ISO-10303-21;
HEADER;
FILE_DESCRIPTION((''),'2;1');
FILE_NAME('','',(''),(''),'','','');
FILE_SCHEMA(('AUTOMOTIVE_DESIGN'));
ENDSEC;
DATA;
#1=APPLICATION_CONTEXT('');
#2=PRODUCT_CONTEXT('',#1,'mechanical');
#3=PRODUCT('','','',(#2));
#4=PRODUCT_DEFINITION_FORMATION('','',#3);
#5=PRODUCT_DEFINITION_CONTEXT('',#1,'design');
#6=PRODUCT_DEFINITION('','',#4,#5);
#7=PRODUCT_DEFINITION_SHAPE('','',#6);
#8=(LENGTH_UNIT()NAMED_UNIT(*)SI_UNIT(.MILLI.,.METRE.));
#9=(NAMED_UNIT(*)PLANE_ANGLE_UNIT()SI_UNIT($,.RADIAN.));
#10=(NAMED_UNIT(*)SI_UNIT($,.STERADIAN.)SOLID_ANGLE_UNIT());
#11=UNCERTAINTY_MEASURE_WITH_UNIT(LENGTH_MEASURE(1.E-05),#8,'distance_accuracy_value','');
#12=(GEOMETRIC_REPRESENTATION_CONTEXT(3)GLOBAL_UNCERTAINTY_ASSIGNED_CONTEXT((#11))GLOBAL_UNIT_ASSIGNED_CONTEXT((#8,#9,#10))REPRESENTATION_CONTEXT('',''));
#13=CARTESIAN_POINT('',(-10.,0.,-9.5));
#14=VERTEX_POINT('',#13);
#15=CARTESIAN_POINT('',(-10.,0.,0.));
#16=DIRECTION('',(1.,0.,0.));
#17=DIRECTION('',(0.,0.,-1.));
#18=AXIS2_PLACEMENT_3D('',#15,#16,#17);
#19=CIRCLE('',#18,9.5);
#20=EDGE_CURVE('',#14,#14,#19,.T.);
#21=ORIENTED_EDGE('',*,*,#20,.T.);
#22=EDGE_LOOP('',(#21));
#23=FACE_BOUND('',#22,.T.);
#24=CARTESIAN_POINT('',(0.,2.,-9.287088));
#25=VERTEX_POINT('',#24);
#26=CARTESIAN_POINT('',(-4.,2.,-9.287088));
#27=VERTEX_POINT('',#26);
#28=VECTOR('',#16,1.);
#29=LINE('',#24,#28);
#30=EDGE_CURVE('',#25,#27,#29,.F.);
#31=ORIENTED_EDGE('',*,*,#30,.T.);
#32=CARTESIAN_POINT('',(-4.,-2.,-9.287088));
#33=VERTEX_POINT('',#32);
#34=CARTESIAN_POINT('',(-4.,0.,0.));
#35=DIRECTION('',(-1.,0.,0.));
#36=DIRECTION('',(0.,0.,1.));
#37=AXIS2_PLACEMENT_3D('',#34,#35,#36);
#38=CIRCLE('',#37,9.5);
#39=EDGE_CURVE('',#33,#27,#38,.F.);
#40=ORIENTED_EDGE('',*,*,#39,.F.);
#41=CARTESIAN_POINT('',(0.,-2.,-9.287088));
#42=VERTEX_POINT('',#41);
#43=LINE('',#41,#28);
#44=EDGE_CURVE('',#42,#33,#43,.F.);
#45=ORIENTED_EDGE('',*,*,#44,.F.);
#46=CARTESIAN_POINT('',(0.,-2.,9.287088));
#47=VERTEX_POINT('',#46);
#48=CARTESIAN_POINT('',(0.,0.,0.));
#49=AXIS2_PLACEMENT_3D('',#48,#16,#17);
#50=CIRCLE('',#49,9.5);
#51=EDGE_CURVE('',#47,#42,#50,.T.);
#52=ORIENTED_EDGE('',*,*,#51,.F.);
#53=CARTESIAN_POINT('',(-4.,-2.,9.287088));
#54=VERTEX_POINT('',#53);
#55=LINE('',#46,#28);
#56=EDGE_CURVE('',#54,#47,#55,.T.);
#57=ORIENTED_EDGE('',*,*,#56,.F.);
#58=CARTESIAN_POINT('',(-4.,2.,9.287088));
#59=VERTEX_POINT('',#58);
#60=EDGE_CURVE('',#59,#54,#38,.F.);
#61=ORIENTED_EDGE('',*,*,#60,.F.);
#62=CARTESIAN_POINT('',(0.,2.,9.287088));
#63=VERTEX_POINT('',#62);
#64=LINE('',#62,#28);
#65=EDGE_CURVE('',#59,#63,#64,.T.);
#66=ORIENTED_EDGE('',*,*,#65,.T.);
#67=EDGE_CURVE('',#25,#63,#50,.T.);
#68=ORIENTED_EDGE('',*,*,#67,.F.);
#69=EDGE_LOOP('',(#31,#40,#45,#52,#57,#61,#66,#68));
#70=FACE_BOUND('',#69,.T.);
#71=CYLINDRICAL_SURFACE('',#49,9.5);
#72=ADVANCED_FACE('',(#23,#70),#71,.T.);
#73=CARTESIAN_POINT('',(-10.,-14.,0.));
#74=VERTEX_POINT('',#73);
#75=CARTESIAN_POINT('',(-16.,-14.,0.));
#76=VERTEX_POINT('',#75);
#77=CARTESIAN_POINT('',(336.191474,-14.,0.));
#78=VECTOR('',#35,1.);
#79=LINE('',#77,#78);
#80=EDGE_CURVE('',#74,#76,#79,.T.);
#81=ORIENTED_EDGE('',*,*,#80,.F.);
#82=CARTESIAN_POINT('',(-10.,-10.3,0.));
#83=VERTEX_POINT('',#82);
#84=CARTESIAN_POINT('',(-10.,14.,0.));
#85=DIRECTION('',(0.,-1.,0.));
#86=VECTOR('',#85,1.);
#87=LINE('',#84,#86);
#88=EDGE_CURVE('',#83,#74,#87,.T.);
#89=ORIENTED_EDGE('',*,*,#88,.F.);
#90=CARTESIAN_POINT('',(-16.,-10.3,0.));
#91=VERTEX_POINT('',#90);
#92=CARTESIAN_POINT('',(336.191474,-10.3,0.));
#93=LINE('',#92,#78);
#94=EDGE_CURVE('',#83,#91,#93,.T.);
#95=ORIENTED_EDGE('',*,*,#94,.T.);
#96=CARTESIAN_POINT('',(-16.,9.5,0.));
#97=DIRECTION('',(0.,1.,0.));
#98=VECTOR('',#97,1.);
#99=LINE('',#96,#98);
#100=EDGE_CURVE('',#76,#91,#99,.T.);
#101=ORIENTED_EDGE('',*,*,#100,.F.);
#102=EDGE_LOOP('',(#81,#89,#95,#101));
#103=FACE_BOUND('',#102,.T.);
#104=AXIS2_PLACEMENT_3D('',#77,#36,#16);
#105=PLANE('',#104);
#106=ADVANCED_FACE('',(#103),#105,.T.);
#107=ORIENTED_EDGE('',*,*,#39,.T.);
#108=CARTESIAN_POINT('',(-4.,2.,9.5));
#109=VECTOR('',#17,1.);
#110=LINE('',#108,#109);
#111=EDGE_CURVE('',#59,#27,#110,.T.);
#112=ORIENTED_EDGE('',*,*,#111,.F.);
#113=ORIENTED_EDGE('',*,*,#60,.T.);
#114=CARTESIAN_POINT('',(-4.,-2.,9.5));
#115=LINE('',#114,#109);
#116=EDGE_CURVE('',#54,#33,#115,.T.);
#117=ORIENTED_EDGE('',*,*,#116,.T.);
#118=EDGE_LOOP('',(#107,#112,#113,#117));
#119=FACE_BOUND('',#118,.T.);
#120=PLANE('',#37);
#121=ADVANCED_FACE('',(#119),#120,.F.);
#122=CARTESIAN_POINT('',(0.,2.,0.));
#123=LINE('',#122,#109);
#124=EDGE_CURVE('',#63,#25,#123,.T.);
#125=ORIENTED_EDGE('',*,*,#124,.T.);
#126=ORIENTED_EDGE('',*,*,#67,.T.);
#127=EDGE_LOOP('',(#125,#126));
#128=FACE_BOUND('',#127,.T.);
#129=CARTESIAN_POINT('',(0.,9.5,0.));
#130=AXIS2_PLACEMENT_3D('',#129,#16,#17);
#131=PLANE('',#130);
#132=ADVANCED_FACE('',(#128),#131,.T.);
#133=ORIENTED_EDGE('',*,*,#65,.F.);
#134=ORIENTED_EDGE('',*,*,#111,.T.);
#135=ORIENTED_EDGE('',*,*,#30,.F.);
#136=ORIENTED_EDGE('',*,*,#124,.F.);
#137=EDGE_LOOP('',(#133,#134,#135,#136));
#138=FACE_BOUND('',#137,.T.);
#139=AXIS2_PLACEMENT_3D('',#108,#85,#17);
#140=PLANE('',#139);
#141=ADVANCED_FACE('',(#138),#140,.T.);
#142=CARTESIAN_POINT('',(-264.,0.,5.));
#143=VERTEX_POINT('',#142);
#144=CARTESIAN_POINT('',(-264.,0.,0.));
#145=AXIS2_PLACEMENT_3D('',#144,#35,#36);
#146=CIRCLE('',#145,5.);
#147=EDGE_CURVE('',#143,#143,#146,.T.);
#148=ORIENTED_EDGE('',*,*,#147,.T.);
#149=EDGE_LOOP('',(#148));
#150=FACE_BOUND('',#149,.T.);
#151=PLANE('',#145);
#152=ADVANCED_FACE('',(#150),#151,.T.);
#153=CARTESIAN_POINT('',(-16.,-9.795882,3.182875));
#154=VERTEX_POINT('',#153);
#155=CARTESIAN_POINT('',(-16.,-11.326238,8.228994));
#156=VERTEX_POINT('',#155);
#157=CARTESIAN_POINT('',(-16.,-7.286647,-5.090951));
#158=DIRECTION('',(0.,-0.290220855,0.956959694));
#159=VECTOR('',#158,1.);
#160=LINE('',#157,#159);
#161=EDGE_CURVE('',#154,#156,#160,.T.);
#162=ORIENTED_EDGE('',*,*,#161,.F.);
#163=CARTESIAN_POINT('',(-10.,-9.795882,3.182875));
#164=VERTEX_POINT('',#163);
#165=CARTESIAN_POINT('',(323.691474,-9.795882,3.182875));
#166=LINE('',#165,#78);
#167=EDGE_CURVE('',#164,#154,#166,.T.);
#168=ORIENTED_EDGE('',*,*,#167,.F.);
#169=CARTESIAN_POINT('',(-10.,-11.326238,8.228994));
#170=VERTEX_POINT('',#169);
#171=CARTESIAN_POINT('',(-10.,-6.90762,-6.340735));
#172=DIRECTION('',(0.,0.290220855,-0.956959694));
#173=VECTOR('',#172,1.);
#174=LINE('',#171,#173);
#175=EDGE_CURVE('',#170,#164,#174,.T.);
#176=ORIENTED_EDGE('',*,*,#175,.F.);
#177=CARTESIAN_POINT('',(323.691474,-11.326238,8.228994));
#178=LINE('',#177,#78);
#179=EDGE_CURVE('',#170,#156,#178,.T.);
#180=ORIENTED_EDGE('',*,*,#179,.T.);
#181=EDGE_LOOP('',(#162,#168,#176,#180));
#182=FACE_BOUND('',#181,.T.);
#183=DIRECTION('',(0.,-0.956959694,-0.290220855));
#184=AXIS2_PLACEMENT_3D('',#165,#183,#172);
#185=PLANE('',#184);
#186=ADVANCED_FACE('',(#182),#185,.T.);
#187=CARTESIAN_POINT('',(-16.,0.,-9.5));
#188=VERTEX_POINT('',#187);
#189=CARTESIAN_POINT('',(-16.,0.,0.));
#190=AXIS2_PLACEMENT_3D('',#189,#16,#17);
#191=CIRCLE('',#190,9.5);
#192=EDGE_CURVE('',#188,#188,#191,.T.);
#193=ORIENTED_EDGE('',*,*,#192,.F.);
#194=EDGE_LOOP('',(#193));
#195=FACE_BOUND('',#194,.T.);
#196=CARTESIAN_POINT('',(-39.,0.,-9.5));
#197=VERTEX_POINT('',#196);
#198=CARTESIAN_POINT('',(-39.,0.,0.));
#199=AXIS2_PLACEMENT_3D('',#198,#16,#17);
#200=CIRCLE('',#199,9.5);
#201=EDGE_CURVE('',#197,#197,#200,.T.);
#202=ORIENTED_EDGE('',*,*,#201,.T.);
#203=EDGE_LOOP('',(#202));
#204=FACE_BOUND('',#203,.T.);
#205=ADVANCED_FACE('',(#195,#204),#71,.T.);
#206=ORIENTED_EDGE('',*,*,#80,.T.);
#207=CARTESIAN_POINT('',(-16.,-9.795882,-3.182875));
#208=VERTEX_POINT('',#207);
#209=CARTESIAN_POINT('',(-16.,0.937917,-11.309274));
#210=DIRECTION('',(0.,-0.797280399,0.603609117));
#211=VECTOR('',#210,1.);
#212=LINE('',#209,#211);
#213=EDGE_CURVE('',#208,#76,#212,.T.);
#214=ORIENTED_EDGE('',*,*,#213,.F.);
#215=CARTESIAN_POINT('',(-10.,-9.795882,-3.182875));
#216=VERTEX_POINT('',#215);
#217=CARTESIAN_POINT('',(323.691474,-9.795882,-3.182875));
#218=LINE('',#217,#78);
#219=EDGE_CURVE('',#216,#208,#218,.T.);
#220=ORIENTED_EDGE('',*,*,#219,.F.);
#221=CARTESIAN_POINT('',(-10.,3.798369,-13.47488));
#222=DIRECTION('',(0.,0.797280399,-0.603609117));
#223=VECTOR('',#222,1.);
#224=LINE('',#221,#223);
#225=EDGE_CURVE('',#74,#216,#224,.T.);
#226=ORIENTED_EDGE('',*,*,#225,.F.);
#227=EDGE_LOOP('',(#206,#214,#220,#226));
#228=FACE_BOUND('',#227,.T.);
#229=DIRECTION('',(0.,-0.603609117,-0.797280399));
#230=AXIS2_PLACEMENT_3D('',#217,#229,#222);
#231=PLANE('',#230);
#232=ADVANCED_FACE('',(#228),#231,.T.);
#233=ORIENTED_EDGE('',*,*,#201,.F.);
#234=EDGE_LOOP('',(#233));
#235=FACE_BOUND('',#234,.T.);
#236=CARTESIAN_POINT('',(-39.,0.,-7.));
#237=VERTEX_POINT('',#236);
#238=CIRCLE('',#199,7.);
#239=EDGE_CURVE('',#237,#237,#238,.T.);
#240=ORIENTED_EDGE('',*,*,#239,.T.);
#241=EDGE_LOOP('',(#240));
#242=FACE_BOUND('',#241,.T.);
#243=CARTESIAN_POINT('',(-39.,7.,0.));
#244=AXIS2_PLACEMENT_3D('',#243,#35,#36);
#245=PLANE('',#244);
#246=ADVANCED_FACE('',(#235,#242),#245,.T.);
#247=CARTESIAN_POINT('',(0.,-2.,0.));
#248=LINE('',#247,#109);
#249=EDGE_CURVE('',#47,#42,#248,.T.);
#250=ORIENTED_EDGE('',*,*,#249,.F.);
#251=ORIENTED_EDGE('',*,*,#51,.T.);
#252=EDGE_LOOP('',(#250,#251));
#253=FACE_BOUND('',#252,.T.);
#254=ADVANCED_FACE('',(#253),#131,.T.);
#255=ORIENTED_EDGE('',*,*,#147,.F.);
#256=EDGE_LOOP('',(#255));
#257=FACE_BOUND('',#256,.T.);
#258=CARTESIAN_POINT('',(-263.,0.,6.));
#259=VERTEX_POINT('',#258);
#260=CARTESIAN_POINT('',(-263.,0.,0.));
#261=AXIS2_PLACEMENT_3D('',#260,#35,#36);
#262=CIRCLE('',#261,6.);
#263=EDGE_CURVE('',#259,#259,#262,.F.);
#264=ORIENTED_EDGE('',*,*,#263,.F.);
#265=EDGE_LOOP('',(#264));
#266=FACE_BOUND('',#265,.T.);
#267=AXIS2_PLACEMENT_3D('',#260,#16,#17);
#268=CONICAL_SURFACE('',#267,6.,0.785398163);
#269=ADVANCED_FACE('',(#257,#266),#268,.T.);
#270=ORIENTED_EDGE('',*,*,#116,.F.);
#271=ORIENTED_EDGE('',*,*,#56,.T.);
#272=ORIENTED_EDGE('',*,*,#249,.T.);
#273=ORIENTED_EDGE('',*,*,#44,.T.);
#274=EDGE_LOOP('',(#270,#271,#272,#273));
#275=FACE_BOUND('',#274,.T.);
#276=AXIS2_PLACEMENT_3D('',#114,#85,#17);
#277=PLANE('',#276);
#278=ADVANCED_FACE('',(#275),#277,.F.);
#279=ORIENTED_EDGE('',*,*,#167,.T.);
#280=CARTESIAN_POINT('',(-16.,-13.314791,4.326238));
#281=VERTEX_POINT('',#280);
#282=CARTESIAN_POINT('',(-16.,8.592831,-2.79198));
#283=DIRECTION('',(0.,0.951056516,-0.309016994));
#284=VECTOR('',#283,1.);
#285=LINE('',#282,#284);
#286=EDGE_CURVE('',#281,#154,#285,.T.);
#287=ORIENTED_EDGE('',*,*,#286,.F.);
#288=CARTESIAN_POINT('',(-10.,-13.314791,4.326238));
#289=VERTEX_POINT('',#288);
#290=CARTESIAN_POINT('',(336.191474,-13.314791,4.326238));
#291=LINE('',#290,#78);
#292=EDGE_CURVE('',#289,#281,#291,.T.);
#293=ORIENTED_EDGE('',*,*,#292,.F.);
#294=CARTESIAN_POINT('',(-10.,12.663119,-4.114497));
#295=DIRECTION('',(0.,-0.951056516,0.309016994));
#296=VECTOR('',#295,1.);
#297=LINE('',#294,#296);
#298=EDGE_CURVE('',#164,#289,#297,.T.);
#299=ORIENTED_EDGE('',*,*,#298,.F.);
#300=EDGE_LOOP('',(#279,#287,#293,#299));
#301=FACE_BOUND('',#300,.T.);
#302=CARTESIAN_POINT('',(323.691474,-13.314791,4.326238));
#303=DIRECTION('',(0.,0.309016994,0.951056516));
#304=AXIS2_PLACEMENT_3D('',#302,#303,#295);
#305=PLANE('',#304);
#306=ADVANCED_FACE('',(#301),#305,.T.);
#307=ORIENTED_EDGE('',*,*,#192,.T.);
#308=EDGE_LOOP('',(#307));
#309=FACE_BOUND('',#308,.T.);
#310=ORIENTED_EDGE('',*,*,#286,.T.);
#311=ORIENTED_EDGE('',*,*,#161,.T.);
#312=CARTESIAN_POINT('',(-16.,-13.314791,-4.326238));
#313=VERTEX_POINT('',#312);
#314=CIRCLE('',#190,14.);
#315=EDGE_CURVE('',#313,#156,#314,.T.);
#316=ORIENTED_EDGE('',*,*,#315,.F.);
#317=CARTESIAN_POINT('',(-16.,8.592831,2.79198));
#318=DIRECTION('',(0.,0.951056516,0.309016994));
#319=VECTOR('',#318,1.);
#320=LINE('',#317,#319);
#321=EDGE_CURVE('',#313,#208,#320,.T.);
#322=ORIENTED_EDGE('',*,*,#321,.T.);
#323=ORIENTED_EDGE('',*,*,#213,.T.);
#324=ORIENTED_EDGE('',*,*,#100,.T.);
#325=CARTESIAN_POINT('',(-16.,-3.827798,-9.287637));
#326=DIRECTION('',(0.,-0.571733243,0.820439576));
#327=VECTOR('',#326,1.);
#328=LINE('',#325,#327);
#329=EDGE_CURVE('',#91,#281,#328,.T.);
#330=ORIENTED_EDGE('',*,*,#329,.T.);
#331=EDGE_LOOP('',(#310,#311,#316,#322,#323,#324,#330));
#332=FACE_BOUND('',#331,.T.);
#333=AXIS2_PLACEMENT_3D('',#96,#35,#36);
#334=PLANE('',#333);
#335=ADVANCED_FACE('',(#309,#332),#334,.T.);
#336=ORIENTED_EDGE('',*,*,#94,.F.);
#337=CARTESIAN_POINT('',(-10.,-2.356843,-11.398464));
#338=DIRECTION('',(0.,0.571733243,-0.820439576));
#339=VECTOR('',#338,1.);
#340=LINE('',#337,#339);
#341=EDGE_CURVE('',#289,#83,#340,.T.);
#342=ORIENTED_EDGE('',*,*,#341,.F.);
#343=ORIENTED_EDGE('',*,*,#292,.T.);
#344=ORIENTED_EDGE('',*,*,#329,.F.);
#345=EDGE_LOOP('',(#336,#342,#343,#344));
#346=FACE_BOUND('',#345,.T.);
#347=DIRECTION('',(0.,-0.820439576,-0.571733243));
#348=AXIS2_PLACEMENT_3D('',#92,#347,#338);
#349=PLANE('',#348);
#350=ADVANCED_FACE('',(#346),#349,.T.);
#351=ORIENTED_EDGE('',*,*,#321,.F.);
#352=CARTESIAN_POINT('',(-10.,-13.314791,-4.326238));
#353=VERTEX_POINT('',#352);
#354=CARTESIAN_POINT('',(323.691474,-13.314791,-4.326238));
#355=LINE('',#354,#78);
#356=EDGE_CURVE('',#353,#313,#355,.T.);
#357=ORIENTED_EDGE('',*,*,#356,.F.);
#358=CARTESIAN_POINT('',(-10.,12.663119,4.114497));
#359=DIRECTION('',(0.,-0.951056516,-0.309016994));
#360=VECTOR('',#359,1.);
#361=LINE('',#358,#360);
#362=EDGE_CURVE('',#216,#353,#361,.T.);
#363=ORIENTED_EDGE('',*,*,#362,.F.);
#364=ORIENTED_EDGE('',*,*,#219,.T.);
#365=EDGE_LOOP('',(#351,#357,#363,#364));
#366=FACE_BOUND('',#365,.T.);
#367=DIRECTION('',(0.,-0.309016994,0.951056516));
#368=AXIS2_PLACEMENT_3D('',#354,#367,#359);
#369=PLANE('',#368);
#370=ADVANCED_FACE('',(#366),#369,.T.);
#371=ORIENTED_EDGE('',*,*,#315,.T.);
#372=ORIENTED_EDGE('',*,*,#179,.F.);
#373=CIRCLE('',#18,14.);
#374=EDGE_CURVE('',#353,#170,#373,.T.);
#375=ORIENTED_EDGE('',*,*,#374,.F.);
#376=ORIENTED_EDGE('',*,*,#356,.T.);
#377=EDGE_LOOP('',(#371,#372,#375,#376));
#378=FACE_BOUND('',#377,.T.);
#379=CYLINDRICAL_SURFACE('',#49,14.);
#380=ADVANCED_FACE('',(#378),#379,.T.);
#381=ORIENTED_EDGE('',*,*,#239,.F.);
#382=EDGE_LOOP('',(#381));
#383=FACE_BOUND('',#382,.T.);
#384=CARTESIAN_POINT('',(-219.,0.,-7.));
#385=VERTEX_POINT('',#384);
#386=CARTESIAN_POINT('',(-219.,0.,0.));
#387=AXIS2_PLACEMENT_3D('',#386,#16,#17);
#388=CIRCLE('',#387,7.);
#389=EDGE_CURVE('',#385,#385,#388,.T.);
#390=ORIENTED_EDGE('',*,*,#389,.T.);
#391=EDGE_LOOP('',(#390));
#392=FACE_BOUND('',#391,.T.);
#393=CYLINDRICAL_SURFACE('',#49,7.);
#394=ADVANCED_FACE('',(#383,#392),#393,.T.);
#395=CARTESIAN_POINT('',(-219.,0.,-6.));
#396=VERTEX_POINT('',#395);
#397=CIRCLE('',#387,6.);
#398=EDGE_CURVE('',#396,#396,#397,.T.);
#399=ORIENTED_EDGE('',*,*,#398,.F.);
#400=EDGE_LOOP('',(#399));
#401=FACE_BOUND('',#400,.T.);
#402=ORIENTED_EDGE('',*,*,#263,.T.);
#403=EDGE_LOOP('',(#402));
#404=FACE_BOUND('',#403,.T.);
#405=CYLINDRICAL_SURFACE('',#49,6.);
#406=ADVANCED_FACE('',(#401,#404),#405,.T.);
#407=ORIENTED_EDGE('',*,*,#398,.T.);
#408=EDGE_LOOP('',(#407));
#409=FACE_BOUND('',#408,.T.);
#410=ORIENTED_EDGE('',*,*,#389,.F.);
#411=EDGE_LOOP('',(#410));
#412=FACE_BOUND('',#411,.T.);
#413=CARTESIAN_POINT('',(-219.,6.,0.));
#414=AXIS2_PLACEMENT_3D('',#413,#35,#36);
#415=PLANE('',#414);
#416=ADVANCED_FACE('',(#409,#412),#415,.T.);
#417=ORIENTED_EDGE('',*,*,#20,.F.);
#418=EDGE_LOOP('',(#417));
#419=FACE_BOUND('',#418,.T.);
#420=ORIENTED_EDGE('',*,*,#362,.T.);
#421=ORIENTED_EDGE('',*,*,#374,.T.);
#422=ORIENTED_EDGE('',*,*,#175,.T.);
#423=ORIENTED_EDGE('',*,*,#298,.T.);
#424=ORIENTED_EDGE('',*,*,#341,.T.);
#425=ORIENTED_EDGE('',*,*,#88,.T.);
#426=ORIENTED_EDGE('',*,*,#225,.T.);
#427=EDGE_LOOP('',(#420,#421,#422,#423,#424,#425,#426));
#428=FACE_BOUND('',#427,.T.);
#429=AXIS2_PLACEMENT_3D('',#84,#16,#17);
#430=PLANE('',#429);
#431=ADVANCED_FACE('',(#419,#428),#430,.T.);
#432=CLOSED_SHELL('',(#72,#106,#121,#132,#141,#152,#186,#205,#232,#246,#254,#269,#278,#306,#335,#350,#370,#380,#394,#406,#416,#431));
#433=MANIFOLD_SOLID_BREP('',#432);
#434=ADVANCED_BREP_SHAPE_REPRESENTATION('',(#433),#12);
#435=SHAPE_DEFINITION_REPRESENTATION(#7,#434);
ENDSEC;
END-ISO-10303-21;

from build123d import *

# Parameters (mm, degrees)
CHAMFER_1_SIZE           = 1
SKETCH_2_W               = 19
SKETCH_2_H               = 4
CUT_EXTRUDE_1_DEPTH      = 4
CUT_EXTRUDE_3_DEPTH      = 255.770484947
PATTERN_CIRCULAR_1_COUNT = 2
PATTERN_CIRCULAR_1_ANGLE = 18
F_1_THE_OTHER_WAY_COUNT  = 2
F_1_THE_OTHER_WAY_ANGLE  = 18


with BuildPart() as part:
    # 草图1 → 旋转1 (revolve)
    with BuildSketch(Plane.XY, mode=Mode.PRIVATE) as revolve_1_sk:
        Polygon((-264, 0), (-264, 6), (-219, 6), (-219, 7), (-39, 7), (-39, 9.5), (-16, 9.5), (-16, 14), (-10, 14), (-10, 9.5), (0, 9.5), (0, 0), align=None)
    revolve(revolve_1_sk.sketch.rotate(Axis((0, 0, 0), (-1, 0, 0)), 90), axis=Axis((0, 0, 0), (-1, 0, 0)))

    # 倒角1
    chamfer_1_edges = [part.edges().sort_by_distance(p)[0] for p in [
        (-264, 0, 6),
    ]]
    chamfer(chamfer_1_edges, length=CHAMFER_1_SIZE)

    # 草图2 → 切除-拉伸-薄壁1 (cut)
    with BuildSketch(Plane(origin=(0, 0, 0), x_dir=(0, 0, -1), z_dir=(1, 0, 0))):
        Rectangle(SKETCH_2_W, SKETCH_2_H)
    extrude(amount=-CUT_EXTRUDE_1_DEPTH, mode=Mode.SUBTRACT)

    # 草图4 → 切除-拉伸3 (cut, symmetric)
    with BuildSketch(Plane(origin=(-10, 0, 0), x_dir=(0, 0, -1), z_dir=(1, 0, 0))):
        Polygon((0, -89.785980761), (0, -14), (0, -10.3), (-4.326237921, -13.314791228), (-66.504055872, -56.644155807), (-134.109197976, -192.304040375), (-67.605142103, -225.445865329), align=None)
    cut_extrude_3 = extrude(amount=CUT_EXTRUDE_3_DEPTH, both=True, mode=Mode.SUBTRACT)

    # 阵列(圆周)1: 切除-拉伸3 ×2 about axis
    pattern_circular_1_axis = Axis((0, 0, 0), (1, 0, 0))
    for i in range(1, PATTERN_CIRCULAR_1_COUNT):
        add(cut_extrude_3.rotate(pattern_circular_1_axis, i * PATTERN_CIRCULAR_1_ANGLE / (PATTERN_CIRCULAR_1_COUNT - 1)), mode=Mode.SUBTRACT)

    # 1 the other way: 切除-拉伸3 ×2 about axis
    f_1_the_other_way_axis = Axis((0, 0, 0), (-1, 0, 0))
    for i in range(1, F_1_THE_OTHER_WAY_COUNT):
        add(cut_extrude_3.rotate(f_1_the_other_way_axis, i * F_1_THE_OTHER_WAY_ANGLE / (F_1_THE_OTHER_WAY_COUNT - 1)), mode=Mode.SUBTRACT)


solid = part.part
